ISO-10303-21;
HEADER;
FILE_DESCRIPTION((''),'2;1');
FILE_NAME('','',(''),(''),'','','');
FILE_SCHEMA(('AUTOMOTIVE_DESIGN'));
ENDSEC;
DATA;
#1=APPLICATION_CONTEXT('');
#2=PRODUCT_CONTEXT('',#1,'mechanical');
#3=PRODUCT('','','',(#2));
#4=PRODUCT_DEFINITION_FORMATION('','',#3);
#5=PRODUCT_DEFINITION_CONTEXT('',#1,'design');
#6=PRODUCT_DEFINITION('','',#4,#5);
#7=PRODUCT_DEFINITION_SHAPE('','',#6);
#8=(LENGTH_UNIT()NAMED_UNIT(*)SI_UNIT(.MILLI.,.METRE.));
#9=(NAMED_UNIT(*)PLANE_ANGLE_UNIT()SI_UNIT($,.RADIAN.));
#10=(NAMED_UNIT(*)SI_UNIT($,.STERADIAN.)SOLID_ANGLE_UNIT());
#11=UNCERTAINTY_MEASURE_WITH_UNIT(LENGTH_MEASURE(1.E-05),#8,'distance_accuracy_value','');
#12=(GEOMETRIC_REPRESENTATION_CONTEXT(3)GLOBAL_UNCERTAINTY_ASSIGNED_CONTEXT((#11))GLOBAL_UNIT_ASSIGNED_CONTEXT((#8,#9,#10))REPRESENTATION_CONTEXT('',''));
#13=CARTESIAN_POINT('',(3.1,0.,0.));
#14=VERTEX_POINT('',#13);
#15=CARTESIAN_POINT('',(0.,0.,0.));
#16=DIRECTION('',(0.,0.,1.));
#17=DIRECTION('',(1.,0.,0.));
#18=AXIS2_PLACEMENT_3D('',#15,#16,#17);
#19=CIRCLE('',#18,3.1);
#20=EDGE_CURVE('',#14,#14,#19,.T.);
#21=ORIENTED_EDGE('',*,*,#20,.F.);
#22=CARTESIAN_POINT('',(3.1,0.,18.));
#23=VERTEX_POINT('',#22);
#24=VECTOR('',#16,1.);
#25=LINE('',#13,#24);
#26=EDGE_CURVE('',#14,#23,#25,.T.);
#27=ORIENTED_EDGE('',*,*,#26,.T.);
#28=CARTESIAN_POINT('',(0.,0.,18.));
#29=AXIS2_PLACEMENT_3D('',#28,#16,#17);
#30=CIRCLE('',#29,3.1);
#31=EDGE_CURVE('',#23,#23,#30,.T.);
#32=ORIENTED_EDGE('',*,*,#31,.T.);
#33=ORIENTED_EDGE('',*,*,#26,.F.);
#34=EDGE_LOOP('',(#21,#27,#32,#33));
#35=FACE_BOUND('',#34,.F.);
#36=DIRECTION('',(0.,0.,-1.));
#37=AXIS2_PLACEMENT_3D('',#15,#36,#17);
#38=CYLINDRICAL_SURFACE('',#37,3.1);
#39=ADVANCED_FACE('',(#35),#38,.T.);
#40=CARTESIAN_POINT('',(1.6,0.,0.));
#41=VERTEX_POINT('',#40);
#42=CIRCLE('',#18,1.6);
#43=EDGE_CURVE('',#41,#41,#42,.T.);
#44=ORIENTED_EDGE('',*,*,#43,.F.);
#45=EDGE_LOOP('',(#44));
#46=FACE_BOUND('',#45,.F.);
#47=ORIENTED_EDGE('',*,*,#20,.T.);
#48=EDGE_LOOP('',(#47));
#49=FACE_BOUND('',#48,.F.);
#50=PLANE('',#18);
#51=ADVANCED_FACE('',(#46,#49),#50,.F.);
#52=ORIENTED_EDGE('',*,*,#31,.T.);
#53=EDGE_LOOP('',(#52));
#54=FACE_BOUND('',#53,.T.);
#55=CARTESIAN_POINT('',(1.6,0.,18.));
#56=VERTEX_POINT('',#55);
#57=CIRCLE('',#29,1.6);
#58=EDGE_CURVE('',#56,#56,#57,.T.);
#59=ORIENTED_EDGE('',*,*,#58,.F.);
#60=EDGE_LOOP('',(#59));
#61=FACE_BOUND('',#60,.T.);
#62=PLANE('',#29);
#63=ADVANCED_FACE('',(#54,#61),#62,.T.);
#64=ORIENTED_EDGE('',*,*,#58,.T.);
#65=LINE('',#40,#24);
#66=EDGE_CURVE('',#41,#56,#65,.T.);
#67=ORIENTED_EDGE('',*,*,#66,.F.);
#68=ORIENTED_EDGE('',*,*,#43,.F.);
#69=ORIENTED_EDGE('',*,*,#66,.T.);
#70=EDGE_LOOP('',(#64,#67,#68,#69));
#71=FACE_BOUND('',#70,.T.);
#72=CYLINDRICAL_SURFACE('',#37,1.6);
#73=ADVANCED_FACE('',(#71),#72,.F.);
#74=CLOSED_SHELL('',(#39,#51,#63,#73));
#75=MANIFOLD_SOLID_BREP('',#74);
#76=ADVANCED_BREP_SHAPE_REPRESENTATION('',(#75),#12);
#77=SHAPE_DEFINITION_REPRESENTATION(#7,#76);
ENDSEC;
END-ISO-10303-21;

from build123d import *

# Parameters (mm, degrees)
SKETCH_R   = 3.1
SKETCH_R_2 = 1.6
PAD_DEPTH  = 18


with BuildPart() as part:
    # Sketch → Pad (new body)
    with BuildSketch(Plane.XY):
        Circle(SKETCH_R)
        Circle(SKETCH_R_2, mode=Mode.SUBTRACT)
    extrude(amount=PAD_DEPTH)


solid = part.part
